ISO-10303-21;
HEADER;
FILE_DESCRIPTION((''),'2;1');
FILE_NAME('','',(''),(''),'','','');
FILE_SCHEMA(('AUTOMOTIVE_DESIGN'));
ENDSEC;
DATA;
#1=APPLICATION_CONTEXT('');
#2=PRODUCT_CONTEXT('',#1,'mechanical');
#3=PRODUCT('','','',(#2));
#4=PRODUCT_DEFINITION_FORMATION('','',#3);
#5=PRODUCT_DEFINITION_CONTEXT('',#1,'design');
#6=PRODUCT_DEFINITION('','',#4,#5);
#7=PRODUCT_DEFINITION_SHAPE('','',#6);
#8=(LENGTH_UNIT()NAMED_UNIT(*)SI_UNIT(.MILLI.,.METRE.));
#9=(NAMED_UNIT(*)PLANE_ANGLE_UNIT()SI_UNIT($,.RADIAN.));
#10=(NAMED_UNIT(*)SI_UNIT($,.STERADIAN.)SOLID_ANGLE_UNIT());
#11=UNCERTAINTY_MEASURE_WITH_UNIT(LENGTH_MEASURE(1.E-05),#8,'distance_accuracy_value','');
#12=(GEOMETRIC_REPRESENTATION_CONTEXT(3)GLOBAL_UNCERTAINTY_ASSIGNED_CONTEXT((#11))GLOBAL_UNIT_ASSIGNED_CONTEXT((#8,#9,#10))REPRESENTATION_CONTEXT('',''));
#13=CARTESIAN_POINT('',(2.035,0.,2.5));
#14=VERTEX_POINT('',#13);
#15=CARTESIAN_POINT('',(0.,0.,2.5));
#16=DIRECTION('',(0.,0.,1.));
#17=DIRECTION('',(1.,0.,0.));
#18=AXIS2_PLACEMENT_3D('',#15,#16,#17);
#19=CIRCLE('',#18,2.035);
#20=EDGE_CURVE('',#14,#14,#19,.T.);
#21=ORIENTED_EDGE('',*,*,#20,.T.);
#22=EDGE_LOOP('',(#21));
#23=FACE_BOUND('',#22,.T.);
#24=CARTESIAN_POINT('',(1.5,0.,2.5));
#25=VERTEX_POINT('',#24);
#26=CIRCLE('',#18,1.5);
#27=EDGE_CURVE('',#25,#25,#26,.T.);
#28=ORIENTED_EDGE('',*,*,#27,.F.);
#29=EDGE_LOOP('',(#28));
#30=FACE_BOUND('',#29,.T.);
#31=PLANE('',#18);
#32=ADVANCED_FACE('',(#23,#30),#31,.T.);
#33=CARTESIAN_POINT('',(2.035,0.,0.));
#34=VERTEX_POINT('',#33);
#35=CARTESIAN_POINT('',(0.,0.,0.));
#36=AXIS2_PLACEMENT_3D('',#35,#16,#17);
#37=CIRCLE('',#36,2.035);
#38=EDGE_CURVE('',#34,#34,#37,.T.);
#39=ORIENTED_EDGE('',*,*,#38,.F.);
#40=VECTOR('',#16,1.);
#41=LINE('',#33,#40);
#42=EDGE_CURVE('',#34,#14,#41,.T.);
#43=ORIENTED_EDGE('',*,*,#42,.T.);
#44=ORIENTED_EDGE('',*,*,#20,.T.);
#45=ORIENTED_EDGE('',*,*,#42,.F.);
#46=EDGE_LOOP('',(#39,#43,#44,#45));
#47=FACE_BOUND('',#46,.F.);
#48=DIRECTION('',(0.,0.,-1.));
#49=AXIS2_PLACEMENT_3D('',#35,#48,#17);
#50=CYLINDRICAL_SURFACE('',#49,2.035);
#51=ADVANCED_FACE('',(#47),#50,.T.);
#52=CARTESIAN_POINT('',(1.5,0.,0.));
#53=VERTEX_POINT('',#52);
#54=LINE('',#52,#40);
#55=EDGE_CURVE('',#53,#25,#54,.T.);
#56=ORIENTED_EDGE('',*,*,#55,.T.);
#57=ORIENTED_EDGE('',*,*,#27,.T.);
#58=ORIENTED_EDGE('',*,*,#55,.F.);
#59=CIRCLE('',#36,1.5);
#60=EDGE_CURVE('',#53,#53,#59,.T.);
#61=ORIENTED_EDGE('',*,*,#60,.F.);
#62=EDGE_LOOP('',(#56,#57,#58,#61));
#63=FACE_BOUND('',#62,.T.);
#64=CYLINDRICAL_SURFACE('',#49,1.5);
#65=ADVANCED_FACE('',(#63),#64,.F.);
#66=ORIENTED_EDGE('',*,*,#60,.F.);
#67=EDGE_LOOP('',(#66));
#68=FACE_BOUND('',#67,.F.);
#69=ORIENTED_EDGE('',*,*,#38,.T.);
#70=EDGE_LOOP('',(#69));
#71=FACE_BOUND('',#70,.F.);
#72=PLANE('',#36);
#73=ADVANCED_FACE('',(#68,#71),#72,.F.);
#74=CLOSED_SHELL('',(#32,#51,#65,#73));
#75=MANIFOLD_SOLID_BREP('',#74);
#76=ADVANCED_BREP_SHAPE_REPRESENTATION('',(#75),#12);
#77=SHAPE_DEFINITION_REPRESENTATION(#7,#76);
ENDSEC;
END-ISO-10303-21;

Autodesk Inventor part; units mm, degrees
ref_plane "YZ Plane" through (0, 0, 0) normal (1, 0, 0) x (0, 1, 0)
ref_plane "XZ Plane" through (0, 0, 0) normal (0, 1, 0) x (-1, 0, 0)
ref_plane "XY Plane" through (0, 0, 0) normal (0, 0, 1) x (1, 0, 0)
sketch "スケッチ1" plane through (0, 0, 0) normal (0, 0, 1) x (1, 0, 0)
  circle A0 centre (0, 0) radius 2.035
  circle A1 centre (0, 0) radius 1.5
  dimension "d0" = 4.07
  dimension "d1" = 3
extrude "押し出し1" add sketch "スケッチ1" along normal blind 2.5
properties part number "spacer_inwheel"
